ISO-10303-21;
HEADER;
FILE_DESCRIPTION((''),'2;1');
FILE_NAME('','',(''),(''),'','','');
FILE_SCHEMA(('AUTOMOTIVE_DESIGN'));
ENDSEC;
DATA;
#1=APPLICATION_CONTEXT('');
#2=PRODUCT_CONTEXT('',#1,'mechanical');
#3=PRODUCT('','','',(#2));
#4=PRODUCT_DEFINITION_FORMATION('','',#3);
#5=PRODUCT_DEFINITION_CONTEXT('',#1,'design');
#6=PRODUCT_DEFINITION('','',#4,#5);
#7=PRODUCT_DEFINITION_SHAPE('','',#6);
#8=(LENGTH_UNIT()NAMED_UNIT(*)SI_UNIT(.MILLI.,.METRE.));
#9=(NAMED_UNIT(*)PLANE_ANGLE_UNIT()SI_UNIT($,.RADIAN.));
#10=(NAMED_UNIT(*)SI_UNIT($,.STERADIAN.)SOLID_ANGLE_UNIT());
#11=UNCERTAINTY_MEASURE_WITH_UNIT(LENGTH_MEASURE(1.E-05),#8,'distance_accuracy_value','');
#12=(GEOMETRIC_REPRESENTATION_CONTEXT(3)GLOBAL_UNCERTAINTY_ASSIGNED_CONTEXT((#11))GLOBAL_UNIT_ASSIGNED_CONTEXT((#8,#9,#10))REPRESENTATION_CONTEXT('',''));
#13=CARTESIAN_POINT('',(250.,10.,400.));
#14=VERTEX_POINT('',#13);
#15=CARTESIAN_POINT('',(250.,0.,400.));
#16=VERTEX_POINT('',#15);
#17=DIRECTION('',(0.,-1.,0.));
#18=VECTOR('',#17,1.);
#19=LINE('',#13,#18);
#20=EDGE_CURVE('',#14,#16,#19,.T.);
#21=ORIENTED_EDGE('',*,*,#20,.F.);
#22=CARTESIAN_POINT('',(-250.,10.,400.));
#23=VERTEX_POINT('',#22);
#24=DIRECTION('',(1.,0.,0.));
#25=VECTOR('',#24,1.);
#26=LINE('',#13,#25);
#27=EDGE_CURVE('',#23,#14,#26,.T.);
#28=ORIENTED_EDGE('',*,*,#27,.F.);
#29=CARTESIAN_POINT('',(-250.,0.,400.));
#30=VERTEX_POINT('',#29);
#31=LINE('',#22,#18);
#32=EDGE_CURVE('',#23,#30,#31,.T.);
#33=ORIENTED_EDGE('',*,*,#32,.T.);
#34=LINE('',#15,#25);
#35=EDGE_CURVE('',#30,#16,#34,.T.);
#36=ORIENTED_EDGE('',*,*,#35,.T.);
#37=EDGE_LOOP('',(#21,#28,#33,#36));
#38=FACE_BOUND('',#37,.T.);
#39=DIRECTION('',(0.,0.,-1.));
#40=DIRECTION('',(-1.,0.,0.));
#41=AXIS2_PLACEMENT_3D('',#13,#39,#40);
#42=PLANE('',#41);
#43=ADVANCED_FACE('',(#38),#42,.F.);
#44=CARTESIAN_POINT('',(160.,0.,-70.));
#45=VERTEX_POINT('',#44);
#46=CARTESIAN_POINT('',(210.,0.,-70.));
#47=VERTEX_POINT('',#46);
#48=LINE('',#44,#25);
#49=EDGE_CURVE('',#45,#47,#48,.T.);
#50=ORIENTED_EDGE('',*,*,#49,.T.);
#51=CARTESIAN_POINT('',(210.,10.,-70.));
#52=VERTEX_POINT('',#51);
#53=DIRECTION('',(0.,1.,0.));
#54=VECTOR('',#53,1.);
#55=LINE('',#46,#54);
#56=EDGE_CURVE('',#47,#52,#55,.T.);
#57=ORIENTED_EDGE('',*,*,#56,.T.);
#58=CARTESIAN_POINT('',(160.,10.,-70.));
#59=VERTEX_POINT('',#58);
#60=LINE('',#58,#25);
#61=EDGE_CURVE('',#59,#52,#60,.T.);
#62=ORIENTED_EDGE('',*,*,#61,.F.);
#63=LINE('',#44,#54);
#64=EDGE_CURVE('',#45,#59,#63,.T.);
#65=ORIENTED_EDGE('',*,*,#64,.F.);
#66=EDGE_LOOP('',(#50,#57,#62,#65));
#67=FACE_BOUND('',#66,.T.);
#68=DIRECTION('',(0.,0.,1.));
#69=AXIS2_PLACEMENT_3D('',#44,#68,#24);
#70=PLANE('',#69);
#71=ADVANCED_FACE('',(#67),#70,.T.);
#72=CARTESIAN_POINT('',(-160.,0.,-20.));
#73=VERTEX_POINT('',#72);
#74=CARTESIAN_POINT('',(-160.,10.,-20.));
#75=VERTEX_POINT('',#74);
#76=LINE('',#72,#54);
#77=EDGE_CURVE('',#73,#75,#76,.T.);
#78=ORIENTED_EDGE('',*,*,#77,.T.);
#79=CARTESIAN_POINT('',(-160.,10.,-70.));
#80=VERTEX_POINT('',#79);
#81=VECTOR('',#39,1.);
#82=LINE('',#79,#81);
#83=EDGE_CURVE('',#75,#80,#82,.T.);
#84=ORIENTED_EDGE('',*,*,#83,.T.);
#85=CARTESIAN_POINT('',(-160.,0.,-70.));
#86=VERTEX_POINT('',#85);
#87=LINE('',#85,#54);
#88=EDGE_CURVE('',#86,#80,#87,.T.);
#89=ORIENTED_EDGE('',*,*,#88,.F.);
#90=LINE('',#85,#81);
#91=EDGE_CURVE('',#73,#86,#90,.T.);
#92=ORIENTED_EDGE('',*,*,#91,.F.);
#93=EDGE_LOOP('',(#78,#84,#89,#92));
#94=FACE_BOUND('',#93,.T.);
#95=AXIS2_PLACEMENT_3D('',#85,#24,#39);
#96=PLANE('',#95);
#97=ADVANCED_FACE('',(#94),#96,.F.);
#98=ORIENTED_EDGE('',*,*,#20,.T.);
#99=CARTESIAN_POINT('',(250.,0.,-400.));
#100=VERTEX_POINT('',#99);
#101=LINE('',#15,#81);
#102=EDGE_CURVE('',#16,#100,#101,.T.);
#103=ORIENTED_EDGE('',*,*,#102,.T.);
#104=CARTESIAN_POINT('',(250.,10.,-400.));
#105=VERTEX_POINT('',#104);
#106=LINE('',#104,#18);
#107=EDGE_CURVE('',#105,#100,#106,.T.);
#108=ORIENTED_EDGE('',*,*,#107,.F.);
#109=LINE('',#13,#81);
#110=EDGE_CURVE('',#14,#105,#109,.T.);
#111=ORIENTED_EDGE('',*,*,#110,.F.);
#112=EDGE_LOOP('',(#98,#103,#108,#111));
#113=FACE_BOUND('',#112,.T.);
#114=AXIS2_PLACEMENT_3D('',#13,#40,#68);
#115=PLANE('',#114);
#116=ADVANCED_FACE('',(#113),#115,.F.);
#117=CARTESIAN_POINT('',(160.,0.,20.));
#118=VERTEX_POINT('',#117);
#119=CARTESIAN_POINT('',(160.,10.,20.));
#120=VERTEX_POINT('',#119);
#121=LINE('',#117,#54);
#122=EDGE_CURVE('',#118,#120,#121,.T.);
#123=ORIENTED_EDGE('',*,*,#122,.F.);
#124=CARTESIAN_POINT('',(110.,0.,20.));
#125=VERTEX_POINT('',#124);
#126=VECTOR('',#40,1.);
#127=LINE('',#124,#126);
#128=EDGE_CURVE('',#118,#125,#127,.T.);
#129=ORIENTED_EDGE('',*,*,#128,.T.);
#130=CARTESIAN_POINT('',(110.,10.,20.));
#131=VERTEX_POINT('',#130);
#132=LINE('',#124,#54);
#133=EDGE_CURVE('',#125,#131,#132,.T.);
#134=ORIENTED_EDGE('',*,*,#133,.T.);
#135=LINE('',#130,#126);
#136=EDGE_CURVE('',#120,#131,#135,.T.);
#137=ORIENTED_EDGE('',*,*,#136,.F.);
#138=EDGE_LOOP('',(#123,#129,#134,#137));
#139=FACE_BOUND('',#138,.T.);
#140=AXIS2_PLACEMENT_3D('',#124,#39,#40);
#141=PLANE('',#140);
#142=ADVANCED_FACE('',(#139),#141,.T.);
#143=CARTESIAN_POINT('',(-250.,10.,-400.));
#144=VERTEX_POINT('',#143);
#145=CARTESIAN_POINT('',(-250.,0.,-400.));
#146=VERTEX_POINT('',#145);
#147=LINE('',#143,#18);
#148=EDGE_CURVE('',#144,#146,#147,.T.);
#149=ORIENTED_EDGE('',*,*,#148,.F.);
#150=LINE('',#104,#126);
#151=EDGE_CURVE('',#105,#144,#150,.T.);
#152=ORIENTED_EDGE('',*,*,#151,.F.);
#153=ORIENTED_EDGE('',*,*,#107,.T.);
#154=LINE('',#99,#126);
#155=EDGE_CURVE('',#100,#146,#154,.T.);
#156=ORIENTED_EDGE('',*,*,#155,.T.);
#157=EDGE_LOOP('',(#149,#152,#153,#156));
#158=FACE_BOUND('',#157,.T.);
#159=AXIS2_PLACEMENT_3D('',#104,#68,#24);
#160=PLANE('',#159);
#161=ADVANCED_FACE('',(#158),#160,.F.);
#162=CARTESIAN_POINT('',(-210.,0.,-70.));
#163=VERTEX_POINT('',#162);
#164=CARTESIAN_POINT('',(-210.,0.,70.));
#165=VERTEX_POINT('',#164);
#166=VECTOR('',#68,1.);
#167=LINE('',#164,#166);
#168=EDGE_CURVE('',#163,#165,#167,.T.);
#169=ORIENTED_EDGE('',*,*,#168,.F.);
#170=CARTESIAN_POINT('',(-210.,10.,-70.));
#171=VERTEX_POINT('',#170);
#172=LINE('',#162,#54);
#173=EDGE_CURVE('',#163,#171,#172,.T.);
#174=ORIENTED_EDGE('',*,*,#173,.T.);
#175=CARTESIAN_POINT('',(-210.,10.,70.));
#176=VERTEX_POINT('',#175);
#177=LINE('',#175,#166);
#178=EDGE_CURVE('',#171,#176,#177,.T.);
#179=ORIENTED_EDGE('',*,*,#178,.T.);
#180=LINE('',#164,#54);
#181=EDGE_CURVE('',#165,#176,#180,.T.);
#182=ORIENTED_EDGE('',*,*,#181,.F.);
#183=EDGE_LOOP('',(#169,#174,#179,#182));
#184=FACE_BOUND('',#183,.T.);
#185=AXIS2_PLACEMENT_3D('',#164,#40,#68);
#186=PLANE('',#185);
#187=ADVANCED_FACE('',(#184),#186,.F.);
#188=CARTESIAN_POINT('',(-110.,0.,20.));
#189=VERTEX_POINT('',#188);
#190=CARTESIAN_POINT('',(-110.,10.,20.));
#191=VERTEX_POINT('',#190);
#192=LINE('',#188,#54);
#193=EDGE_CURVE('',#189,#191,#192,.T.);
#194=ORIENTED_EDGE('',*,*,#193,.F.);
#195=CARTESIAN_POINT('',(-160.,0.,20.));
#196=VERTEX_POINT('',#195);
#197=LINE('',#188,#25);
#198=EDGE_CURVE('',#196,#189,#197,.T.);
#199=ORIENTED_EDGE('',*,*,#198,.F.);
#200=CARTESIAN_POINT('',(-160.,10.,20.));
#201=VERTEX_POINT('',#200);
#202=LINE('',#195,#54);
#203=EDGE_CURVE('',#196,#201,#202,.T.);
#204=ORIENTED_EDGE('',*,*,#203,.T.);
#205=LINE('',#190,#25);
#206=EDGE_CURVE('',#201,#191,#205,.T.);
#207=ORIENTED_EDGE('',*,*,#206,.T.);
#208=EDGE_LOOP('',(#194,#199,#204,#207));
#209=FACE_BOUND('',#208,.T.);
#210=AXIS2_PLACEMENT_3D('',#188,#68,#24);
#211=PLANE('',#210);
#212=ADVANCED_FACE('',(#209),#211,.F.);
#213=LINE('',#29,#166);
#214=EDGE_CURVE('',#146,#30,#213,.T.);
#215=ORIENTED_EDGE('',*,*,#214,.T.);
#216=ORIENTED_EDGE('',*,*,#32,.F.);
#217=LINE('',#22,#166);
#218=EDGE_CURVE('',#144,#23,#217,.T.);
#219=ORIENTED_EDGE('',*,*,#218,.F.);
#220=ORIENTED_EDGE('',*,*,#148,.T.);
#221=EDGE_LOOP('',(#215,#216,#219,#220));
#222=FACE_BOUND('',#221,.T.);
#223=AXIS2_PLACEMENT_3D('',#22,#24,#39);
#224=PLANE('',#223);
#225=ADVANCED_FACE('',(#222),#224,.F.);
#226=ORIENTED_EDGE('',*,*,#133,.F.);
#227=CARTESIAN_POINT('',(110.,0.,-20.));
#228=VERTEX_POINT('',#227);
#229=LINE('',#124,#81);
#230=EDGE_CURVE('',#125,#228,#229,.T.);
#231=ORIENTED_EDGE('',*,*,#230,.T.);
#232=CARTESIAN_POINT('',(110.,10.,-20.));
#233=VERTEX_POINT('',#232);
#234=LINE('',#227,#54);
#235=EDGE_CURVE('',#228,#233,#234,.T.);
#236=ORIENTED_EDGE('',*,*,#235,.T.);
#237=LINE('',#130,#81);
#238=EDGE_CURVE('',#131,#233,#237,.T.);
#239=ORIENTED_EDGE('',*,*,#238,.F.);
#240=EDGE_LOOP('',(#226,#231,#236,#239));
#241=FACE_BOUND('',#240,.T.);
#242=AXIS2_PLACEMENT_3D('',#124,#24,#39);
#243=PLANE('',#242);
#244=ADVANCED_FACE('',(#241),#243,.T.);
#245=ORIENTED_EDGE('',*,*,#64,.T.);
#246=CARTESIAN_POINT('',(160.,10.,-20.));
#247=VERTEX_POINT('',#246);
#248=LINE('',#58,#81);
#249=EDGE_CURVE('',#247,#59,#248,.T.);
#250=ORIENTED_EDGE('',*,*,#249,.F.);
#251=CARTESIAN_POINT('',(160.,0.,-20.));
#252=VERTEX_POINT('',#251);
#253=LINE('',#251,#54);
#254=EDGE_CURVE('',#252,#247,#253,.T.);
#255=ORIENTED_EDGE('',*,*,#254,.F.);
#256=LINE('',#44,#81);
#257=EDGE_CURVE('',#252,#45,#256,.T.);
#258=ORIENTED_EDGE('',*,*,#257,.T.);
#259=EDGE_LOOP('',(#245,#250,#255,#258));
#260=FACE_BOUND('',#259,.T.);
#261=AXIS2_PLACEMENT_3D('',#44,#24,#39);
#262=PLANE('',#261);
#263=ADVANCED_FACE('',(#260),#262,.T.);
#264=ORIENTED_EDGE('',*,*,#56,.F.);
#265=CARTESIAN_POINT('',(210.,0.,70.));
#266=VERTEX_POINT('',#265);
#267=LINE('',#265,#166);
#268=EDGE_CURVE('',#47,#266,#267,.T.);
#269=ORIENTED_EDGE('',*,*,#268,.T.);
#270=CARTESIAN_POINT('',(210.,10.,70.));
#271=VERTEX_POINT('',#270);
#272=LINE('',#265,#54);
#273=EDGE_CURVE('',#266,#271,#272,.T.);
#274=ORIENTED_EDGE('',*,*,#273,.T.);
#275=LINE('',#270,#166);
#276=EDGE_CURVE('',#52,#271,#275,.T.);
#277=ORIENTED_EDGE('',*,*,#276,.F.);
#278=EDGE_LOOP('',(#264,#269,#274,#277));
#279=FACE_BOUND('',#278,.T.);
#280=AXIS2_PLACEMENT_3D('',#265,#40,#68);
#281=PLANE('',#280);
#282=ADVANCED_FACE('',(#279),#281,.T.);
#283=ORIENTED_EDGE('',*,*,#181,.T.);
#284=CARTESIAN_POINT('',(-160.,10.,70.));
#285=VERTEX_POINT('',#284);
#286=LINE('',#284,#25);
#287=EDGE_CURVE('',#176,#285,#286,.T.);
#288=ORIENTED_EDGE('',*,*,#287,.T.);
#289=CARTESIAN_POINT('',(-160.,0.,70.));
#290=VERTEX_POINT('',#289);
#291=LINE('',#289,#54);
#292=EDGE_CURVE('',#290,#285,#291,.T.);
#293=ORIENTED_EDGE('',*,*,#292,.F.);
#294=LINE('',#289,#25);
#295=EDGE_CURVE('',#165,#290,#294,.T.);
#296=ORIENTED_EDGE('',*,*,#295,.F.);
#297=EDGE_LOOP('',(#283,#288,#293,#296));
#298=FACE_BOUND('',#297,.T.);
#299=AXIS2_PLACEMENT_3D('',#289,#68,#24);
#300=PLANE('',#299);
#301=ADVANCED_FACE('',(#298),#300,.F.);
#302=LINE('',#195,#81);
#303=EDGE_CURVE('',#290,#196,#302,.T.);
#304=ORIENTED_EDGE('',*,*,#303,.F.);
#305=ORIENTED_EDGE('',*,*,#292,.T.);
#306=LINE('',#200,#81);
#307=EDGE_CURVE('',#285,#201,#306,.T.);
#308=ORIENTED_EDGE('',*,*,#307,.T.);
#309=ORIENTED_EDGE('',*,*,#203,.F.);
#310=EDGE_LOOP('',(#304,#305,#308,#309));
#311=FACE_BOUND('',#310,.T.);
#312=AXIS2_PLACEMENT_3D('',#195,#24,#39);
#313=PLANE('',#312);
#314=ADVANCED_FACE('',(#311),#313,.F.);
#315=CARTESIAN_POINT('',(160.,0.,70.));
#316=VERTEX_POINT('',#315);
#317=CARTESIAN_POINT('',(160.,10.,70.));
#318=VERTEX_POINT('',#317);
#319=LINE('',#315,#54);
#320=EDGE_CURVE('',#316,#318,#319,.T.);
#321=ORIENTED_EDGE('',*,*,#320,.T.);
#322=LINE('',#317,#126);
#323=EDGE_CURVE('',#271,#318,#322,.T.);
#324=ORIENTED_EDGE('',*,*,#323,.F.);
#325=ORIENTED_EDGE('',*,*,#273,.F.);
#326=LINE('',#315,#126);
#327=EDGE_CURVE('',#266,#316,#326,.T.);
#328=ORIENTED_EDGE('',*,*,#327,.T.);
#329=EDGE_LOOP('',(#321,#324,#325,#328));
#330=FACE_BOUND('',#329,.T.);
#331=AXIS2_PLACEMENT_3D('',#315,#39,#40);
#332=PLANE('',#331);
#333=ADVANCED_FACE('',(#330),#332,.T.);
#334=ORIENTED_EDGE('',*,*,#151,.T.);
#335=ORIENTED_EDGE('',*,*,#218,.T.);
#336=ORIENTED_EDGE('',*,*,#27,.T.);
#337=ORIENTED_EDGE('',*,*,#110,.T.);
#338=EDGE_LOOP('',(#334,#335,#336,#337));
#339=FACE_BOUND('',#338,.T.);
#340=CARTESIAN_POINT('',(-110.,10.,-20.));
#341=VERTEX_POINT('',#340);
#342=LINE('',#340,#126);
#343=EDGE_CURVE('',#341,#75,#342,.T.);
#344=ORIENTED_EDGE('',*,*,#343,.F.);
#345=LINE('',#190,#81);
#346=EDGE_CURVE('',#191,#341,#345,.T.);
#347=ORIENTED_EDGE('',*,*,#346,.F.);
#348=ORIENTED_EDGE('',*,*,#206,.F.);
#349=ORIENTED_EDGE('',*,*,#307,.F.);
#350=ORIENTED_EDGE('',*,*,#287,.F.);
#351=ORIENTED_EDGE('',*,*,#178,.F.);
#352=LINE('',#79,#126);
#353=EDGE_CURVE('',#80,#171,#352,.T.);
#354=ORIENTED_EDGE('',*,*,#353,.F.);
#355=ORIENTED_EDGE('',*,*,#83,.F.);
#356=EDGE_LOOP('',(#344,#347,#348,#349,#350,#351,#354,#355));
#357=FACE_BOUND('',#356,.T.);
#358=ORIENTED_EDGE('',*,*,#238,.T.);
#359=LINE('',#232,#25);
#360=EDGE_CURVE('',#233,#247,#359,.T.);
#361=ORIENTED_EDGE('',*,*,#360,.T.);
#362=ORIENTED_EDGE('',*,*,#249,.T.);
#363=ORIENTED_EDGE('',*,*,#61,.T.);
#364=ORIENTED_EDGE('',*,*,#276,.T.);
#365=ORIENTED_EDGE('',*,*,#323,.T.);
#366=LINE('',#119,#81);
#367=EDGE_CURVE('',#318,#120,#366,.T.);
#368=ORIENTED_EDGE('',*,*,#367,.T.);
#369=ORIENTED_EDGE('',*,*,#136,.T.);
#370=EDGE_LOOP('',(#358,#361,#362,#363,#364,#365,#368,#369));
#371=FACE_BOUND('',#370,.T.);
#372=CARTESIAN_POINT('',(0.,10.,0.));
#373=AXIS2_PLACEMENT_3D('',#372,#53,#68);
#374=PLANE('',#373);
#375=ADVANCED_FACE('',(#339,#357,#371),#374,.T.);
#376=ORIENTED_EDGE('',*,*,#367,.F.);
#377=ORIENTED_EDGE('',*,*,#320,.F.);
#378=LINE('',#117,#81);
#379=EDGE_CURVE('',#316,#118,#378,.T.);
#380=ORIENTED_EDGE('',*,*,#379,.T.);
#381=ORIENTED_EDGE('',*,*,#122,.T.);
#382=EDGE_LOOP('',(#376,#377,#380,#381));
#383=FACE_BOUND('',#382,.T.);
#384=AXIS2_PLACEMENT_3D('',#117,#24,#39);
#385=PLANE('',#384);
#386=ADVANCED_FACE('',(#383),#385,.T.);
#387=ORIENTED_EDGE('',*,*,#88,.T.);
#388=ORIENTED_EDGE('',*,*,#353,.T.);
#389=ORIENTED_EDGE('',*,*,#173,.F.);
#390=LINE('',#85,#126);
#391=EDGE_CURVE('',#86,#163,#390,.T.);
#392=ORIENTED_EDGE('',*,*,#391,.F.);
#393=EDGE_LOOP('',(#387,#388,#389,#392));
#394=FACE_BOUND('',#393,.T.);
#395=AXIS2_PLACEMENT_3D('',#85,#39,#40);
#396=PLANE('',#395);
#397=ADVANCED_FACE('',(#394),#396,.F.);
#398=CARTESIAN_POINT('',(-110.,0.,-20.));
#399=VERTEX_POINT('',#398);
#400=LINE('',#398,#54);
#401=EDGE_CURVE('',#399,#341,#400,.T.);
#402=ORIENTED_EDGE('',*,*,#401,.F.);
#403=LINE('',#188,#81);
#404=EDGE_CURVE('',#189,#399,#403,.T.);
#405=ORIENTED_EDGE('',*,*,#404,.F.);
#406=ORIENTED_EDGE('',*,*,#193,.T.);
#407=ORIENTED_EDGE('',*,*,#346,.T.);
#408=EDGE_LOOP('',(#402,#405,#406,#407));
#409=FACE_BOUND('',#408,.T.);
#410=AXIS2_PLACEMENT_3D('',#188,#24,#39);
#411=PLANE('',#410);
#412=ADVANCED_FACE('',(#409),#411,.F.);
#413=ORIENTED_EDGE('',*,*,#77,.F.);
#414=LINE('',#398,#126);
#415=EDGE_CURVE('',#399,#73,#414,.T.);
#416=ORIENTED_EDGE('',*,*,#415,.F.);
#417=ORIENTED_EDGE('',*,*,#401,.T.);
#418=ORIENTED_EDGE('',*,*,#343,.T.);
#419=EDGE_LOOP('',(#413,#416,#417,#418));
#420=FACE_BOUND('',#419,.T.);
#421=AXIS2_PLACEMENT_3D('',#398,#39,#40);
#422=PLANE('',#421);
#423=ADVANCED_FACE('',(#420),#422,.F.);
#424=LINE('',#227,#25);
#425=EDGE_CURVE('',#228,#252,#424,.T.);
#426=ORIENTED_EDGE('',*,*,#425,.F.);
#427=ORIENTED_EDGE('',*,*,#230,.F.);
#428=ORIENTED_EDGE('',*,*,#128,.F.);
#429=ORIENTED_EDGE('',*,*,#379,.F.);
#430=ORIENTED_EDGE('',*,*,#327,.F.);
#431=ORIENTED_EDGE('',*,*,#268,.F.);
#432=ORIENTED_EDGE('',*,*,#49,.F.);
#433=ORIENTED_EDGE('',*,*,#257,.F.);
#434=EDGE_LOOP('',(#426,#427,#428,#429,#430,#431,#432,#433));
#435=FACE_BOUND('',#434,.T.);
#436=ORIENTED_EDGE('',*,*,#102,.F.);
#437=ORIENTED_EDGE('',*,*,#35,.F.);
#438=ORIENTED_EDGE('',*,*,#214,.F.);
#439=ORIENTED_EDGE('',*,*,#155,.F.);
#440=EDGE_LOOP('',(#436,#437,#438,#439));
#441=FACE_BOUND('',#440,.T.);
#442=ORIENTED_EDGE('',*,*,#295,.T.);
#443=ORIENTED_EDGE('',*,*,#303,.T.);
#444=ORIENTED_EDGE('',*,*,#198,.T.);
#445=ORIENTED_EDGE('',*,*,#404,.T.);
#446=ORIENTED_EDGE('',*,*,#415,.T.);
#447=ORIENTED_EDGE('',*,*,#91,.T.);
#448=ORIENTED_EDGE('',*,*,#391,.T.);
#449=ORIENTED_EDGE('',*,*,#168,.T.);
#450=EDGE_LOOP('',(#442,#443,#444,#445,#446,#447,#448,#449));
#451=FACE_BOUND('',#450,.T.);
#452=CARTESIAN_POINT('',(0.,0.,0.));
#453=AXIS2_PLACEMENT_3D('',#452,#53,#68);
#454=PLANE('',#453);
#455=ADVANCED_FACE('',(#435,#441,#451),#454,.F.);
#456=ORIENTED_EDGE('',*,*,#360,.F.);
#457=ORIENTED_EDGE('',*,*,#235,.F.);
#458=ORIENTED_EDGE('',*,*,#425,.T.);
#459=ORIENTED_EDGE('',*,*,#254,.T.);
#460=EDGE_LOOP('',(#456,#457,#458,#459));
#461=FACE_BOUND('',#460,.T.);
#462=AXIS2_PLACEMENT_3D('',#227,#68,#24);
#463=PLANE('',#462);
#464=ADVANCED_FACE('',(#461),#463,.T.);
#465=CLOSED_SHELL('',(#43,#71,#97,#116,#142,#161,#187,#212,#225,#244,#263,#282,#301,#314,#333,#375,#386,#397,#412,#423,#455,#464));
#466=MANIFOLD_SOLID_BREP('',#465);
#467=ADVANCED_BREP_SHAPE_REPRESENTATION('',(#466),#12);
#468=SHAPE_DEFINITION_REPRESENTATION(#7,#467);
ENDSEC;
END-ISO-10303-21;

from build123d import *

# Parameters (mm, degrees)
SKETCH1_W           = 500
SKETCH1_H           = 800
BOSS_EXTRUDE1_DEPTH = 10
CUT_EXTRUDE1_DEPTH  = 10


with BuildPart() as part:
    # Sketch1 → Boss-Extrude1 (new body)
    with BuildSketch(Plane(origin=(0, 0, 0), x_dir=(1, 0, 0), z_dir=(0, 1, 0))):
        Rectangle(SKETCH1_W, SKETCH1_H)
    extrude(amount=BOSS_EXTRUDE1_DEPTH)

    # Sketch2 → Cut-Extrude1 (cut)
    with BuildSketch(Plane(origin=(0, 10, 0), x_dir=(1, 0, 0), z_dir=(0, 1, 0))):
        Polygon((-160, -70), (-210, -70), (-210, 70), (-160, 70), (-160, 20), (-110, 20), (-110, -20), (-160, -20), align=None)
    cut_extrude1 = extrude(amount=-CUT_EXTRUDE1_DEPTH, mode=Mode.SUBTRACT)

    # Mirror1: Cut-Extrude1 across plane
    add(cut_extrude1.mirror(Plane(origin=(0, 0, 0), x_dir=(0, 0, 1), z_dir=(1, 0, 0))), mode=Mode.SUBTRACT)


solid = part.part
